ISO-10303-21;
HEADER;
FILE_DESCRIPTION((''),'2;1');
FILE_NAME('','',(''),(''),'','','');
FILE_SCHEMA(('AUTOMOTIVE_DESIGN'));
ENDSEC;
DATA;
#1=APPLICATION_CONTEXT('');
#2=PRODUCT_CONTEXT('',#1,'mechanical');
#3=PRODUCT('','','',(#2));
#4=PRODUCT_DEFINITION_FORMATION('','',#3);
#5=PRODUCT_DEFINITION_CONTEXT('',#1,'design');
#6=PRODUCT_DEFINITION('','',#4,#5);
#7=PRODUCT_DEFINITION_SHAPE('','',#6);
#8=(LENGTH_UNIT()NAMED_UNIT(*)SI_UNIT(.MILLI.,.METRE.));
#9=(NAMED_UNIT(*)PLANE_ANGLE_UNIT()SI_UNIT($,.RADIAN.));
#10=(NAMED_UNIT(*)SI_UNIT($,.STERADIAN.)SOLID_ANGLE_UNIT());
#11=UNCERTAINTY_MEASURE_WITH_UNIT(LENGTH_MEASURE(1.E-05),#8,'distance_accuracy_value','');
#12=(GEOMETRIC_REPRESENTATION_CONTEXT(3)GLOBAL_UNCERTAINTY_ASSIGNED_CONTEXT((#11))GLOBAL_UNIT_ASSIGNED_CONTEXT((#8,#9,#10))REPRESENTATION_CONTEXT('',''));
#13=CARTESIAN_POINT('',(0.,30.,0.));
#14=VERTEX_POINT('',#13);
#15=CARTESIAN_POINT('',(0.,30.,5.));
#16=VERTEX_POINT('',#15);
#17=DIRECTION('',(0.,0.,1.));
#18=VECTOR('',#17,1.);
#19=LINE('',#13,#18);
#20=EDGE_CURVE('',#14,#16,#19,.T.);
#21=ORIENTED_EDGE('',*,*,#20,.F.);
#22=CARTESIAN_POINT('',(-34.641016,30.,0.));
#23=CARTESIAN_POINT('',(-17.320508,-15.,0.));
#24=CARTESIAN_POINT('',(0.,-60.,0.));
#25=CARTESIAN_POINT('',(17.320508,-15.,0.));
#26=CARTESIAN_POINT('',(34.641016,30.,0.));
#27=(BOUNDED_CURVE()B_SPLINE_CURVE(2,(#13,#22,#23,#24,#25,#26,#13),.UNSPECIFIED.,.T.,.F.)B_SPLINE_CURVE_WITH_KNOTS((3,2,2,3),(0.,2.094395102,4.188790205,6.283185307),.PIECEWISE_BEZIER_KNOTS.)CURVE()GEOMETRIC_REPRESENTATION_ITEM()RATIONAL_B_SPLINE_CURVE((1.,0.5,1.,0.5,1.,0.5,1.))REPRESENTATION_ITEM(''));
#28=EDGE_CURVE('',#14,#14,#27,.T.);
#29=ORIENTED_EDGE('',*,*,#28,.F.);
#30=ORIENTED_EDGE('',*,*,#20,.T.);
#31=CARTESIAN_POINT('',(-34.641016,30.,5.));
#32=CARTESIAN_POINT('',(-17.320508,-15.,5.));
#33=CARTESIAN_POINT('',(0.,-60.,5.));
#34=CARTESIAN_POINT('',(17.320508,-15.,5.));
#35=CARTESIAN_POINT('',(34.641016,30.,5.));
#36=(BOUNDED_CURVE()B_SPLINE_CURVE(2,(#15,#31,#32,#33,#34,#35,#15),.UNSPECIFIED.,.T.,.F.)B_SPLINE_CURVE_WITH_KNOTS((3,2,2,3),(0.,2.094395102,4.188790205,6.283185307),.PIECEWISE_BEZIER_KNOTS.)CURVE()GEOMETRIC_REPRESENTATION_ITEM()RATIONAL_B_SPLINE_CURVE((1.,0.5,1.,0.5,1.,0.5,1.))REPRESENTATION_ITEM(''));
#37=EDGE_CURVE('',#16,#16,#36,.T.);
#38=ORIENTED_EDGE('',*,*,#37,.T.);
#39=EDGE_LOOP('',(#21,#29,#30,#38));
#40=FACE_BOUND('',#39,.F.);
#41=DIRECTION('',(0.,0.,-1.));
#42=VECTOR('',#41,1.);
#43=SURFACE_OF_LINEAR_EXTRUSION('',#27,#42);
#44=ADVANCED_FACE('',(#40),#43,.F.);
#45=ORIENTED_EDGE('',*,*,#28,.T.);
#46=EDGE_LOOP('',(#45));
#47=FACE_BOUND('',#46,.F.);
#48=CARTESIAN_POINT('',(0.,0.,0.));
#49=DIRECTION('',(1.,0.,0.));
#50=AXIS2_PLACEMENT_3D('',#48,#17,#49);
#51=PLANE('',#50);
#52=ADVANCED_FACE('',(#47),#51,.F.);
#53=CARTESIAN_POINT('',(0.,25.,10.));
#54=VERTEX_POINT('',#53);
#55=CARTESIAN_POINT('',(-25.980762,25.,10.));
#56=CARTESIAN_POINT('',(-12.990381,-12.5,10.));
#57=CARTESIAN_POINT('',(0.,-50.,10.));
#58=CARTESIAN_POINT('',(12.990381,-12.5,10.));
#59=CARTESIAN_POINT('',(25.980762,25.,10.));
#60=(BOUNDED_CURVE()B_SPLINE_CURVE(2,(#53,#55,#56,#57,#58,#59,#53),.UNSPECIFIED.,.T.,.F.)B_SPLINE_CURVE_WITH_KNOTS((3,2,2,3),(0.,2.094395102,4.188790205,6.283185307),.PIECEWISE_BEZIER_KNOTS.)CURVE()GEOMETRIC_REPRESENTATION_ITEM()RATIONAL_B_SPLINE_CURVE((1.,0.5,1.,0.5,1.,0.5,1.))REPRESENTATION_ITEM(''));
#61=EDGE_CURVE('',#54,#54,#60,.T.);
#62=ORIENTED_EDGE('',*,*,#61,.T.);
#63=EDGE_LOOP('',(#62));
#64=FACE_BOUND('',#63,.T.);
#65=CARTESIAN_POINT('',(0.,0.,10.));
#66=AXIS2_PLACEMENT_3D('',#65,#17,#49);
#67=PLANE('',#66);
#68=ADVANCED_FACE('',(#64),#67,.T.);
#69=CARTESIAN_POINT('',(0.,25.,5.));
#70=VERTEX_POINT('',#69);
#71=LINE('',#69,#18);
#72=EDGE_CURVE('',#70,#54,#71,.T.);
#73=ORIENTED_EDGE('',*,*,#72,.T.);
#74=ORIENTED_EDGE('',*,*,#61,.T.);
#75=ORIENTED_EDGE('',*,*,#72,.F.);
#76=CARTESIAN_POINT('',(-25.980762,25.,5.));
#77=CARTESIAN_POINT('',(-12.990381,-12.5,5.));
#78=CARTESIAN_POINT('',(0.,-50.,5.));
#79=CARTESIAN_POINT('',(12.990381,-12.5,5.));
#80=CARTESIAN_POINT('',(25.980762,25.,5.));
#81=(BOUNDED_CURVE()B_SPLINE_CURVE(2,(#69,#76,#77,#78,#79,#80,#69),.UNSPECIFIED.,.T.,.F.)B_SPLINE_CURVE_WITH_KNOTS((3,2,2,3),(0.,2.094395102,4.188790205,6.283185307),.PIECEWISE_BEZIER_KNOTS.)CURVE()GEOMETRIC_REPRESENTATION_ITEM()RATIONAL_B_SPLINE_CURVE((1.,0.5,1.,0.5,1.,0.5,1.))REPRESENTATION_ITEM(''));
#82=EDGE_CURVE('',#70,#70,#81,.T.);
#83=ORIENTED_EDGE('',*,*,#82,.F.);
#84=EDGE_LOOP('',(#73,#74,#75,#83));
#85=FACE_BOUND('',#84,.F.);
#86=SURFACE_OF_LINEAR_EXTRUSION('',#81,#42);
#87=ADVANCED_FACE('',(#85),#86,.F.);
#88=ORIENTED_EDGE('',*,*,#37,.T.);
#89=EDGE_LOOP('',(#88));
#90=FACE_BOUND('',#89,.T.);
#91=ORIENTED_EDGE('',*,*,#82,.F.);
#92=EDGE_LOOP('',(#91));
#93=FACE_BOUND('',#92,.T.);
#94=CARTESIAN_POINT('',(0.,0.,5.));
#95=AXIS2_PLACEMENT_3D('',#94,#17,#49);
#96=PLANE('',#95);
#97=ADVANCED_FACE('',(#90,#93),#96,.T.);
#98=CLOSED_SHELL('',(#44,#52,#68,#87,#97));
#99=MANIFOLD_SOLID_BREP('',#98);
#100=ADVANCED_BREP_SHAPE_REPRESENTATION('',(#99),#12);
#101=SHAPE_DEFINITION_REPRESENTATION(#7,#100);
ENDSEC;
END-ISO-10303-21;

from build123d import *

# Parameters (mm, degrees)
F1_DEPTH = 5
F3_DEPTH = 5


with BuildPart() as f1:
    # F0 (on Top) → F1 (new body)
    with BuildSketch(Plane.XY):
        with BuildLine():
            add(Edge.make_bspline(
                [(0, 30), (-34.6410161514, 30), (-17.3205080757, -15), (0, -60), (17.3205080757, -15), (34.6410161514, 30), (0, 30)],
                knots=[0, 0, 0, 2.0943951024, 2.0943951024, 4.1887902048, 4.1887902048, 6.2831853072, 6.2831853072, 6.2831853072], degree=2, weights=[1, 0.5, 1, 0.5, 1, 0.5, 1]))
        make_face()
    extrude(amount=F1_DEPTH)

    # F2 (on face) → F3 (join)
    with BuildSketch(Plane.XY.offset(5)):
        with BuildLine():
            add(Edge.make_bspline(
                [(0, 25), (-25.9807621135, 25), (-12.9903810568, -12.5), (0, -50), (12.9903810568, -12.5), (25.9807621135, 25), (0, 25)],
                knots=[0, 0, 0, 2.0943951024, 2.0943951024, 4.1887902048, 4.1887902048, 6.2831853072, 6.2831853072, 6.2831853072], degree=2, weights=[1, 0.5, 1, 0.5, 1, 0.5, 1]))
        make_face()
    extrude(amount=F3_DEPTH)


solid = f1.part
